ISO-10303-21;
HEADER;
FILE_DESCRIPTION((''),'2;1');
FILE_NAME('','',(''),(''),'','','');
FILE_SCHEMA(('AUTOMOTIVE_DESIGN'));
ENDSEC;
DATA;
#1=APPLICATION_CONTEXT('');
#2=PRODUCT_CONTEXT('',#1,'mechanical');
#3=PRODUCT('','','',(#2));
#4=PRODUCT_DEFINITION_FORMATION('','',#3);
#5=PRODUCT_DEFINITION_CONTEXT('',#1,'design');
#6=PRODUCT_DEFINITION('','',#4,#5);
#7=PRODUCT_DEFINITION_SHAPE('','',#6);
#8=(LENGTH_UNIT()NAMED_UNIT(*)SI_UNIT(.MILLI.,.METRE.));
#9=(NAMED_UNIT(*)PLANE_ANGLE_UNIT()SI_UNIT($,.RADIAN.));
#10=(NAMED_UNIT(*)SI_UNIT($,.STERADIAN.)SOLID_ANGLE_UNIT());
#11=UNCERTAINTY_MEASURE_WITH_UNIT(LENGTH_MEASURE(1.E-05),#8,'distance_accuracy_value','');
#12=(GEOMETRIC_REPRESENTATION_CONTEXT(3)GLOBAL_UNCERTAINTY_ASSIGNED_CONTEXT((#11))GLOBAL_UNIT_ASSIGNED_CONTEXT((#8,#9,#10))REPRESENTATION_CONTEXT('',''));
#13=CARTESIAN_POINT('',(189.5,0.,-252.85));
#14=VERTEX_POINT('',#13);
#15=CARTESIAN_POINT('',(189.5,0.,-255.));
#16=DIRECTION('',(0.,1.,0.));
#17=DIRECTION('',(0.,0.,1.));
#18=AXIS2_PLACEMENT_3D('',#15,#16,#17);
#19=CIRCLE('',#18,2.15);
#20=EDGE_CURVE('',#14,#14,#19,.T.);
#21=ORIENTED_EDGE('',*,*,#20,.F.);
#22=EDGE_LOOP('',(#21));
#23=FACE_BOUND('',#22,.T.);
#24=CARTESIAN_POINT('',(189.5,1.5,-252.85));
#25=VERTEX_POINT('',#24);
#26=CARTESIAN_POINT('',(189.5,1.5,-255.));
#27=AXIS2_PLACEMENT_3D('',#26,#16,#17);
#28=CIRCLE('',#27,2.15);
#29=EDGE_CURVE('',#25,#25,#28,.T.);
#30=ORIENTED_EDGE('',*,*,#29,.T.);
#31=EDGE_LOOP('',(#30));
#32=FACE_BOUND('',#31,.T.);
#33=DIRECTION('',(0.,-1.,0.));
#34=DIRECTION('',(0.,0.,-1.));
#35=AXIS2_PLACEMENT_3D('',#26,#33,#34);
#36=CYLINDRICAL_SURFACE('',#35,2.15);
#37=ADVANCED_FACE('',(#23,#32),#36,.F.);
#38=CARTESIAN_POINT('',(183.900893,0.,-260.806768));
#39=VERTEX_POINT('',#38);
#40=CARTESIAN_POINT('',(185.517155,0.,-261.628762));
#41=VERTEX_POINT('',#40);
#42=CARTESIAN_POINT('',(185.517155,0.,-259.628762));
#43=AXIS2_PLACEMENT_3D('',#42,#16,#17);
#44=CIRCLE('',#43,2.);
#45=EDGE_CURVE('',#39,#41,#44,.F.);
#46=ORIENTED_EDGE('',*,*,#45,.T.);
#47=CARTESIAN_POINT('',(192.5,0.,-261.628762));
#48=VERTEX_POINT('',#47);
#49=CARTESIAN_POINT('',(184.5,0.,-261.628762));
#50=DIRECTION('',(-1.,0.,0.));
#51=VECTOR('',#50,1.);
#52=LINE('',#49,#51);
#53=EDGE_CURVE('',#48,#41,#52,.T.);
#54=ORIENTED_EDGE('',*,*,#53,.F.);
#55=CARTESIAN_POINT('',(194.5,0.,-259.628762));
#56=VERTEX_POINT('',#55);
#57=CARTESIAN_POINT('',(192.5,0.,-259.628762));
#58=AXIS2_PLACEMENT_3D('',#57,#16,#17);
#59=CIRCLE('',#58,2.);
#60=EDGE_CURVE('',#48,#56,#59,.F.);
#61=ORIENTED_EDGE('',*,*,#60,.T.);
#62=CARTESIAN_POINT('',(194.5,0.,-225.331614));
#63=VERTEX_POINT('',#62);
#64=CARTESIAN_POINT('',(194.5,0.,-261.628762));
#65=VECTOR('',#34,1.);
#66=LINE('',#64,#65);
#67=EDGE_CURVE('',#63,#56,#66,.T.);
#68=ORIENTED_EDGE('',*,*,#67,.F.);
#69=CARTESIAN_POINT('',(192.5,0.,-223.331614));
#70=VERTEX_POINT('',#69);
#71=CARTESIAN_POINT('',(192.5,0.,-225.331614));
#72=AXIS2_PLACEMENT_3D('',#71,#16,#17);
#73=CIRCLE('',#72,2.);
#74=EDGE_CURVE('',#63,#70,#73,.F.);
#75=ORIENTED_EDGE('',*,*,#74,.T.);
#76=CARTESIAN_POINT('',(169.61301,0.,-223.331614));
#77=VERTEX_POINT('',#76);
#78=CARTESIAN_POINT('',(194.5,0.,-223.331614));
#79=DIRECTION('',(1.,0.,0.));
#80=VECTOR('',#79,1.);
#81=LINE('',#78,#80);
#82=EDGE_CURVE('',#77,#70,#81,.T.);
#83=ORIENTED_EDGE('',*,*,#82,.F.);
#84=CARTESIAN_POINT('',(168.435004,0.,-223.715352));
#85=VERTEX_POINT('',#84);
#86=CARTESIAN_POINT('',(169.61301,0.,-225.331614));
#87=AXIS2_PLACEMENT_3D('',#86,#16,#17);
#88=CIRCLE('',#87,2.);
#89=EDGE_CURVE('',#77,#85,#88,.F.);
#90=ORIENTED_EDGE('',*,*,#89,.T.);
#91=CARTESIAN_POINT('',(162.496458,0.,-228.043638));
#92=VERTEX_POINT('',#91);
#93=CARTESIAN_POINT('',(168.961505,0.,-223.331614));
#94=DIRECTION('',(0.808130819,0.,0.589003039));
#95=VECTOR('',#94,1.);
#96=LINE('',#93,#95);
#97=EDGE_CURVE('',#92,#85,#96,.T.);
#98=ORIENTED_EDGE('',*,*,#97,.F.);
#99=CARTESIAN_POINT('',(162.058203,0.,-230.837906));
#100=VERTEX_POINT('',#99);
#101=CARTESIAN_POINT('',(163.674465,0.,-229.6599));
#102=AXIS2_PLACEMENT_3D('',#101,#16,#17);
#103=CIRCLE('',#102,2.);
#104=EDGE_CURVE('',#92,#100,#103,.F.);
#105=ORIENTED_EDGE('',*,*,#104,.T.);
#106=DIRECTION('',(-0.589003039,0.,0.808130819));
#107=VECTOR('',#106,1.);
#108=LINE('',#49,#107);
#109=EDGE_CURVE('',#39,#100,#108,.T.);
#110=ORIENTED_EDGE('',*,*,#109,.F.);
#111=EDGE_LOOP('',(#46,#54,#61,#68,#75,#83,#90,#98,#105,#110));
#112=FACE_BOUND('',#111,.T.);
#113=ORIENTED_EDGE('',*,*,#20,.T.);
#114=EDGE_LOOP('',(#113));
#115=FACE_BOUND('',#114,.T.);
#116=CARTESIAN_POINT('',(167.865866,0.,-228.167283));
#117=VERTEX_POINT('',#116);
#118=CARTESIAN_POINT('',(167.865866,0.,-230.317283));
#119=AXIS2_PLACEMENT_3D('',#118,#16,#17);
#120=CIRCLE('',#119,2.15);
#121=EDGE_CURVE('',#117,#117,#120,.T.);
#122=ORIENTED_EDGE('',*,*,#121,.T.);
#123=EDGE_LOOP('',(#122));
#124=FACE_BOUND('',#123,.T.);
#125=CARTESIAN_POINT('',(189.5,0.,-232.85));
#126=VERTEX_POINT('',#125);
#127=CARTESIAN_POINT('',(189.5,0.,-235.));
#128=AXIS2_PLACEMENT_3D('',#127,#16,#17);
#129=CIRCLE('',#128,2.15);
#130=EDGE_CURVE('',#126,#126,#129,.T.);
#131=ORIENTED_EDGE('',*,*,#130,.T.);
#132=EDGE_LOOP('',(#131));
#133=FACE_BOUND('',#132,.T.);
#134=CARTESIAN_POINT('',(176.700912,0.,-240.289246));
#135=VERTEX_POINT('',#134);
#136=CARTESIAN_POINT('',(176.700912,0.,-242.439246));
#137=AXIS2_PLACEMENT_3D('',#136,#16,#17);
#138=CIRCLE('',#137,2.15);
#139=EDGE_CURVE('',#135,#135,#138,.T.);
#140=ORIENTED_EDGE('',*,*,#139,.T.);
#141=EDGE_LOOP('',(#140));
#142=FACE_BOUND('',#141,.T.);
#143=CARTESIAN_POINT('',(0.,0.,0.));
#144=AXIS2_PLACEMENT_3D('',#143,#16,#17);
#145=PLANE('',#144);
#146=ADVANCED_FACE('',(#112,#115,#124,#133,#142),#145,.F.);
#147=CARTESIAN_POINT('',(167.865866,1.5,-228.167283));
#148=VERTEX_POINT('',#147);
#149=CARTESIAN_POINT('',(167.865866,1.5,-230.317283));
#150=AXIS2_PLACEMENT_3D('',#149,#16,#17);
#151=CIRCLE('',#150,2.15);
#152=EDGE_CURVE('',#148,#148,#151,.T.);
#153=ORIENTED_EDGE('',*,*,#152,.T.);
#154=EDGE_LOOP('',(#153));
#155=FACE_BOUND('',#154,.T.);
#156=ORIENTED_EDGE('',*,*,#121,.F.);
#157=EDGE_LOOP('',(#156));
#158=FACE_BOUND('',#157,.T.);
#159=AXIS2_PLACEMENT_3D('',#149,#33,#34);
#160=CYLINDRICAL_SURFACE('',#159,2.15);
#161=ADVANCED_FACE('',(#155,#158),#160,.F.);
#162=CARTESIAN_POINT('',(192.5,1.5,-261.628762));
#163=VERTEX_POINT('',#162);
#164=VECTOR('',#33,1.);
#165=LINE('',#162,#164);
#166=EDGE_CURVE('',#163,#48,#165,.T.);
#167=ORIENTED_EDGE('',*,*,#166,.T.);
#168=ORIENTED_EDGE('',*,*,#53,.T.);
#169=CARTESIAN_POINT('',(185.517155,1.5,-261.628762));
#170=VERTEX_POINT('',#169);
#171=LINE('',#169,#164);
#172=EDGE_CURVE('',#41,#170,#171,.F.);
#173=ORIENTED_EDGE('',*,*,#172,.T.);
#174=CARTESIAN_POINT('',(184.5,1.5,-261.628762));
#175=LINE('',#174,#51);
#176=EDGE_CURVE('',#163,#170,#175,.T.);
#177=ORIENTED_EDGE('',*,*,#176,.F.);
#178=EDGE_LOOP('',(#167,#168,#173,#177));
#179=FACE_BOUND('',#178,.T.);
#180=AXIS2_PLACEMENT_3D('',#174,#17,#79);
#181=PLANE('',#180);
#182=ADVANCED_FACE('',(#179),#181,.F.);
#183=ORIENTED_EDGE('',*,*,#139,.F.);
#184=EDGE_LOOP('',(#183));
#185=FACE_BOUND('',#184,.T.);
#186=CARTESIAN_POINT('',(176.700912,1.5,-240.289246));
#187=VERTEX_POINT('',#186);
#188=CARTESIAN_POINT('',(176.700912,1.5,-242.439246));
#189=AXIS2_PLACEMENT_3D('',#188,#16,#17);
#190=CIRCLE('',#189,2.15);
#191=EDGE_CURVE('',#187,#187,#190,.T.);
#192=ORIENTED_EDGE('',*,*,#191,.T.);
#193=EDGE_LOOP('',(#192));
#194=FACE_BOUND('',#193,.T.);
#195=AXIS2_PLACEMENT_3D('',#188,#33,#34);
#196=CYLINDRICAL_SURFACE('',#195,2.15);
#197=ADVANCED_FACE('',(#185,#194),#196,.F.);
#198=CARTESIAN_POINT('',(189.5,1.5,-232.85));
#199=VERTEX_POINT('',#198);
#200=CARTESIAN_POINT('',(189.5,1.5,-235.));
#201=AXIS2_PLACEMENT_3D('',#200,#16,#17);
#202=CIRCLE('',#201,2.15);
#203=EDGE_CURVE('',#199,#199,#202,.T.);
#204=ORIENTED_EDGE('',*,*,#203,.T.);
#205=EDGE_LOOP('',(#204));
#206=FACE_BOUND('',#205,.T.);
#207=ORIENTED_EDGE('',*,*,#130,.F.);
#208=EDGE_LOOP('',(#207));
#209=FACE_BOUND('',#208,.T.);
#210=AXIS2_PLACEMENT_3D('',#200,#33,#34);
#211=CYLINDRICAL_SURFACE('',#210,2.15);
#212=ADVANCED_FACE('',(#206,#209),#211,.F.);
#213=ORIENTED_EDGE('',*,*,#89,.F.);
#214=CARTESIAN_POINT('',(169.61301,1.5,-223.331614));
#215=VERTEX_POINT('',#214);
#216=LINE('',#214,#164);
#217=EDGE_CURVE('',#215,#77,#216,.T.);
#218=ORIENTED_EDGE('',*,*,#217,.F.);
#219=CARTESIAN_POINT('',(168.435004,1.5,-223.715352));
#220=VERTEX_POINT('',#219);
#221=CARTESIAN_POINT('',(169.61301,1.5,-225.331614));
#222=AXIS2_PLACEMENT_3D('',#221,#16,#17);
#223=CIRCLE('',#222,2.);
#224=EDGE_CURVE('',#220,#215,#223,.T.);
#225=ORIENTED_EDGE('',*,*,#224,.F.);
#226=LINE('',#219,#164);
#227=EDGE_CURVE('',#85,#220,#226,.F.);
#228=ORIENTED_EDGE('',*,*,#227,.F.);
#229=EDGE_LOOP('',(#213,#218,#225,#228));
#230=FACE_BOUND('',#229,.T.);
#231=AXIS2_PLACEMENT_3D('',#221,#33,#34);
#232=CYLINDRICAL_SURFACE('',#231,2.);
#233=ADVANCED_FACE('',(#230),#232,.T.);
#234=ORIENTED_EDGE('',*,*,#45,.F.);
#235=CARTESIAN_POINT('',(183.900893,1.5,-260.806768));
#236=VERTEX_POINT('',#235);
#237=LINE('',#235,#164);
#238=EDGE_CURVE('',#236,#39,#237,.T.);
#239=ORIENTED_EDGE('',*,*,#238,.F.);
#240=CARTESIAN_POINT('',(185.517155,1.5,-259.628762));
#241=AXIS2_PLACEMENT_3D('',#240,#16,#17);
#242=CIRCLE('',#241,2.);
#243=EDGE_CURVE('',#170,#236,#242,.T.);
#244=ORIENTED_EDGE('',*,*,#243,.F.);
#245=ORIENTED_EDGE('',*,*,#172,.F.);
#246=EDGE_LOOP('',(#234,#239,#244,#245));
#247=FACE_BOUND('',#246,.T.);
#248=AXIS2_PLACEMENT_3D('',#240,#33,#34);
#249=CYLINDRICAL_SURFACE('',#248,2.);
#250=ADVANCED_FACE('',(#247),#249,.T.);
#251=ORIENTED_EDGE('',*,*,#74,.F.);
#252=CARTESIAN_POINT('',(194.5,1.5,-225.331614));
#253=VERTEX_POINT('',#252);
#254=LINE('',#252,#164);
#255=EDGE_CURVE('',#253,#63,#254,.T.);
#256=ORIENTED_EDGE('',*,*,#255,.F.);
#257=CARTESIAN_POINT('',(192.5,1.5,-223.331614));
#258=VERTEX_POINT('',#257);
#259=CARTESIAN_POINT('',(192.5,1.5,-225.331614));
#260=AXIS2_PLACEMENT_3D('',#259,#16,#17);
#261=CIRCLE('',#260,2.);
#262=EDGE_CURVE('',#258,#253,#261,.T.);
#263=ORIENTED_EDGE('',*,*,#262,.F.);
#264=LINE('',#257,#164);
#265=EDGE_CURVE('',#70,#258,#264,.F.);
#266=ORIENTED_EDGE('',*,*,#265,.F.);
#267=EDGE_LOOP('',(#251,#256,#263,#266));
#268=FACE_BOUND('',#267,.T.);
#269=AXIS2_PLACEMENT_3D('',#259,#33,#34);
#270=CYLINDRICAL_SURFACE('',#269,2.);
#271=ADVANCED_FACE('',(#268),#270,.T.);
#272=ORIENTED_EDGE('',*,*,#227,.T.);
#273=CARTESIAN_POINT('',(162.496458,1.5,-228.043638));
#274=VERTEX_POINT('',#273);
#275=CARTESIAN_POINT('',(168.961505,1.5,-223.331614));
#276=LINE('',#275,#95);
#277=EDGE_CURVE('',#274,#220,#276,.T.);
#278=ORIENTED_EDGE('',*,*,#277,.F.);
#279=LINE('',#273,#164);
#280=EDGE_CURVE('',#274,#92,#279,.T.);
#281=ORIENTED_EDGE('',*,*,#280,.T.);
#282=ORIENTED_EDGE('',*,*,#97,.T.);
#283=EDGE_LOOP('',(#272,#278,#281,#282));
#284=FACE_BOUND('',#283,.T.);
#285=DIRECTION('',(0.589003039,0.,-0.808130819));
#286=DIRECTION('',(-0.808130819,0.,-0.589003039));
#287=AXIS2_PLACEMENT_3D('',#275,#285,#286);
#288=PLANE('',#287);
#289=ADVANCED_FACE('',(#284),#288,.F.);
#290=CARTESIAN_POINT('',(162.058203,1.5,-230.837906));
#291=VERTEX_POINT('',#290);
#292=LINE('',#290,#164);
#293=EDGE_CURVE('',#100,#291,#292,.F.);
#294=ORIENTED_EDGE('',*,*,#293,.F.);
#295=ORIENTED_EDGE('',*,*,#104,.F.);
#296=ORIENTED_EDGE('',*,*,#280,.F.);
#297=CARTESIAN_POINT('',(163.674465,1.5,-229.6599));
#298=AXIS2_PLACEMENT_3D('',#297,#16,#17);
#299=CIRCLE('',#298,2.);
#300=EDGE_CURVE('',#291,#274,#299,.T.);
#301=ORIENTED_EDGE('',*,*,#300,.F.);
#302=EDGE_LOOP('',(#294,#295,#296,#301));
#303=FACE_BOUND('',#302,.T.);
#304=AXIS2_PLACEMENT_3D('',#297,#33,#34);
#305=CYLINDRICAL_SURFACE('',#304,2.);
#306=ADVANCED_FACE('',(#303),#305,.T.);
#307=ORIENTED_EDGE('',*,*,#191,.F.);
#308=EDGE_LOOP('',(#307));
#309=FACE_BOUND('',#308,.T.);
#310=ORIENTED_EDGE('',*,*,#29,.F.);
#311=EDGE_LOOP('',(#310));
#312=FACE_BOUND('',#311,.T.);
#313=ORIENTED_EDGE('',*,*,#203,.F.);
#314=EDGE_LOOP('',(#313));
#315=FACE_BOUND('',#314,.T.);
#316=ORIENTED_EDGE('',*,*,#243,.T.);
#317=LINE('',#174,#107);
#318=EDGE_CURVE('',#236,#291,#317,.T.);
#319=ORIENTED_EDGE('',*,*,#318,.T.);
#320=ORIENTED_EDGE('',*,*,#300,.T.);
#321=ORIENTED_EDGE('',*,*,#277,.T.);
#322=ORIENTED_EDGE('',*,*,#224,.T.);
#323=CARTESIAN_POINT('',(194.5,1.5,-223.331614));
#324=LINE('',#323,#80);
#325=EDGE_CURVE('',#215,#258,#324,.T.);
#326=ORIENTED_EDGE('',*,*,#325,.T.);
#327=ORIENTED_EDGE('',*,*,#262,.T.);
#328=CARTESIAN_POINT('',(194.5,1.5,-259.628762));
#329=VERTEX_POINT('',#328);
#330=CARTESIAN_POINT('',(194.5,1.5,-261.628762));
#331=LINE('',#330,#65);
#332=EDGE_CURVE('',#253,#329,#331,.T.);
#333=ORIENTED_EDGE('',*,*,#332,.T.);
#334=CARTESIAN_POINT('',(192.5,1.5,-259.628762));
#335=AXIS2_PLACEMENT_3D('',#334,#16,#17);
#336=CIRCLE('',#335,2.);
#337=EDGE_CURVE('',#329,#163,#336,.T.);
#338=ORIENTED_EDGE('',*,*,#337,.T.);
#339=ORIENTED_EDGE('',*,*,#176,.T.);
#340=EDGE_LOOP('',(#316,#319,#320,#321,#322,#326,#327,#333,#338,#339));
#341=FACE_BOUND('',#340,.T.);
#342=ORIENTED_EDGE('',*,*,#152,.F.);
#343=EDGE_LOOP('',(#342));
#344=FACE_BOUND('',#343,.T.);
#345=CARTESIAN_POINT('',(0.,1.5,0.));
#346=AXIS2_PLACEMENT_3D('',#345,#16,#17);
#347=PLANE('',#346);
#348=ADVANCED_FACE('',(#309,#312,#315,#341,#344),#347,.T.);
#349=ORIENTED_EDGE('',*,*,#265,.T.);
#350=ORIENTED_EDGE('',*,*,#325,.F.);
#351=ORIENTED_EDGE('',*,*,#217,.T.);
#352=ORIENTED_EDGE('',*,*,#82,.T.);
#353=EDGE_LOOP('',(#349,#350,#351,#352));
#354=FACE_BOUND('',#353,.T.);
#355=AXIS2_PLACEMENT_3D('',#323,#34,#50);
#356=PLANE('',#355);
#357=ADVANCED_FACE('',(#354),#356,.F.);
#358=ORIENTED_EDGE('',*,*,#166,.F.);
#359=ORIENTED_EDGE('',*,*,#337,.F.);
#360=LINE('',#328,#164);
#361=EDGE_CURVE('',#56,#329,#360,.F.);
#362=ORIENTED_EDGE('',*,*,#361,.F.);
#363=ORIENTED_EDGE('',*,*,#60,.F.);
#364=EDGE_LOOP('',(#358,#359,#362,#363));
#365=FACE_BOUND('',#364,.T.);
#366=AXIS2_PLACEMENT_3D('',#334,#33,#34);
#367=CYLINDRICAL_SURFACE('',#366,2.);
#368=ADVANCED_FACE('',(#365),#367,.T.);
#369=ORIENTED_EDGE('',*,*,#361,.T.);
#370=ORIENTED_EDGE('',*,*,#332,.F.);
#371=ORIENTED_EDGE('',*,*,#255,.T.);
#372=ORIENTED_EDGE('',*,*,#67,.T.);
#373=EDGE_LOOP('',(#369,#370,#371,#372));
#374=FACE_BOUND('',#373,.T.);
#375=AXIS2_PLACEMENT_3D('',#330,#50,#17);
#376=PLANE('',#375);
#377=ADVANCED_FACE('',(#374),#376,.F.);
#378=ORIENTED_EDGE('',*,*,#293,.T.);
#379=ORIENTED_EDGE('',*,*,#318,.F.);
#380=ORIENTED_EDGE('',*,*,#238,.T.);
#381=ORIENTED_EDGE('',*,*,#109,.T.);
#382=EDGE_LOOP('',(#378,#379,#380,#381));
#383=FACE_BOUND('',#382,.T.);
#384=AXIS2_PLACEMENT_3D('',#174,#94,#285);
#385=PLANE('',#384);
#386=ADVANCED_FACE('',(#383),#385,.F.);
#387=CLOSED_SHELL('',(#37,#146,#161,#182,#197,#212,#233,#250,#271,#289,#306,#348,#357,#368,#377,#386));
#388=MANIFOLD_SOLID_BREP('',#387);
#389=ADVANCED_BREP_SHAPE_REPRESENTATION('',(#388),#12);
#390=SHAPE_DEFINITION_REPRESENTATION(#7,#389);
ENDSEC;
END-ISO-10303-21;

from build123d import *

# Parameters (mm, degrees)
SKETCH_1_R      = 2.15
EXTRUDE_1_DEPTH = 1.5
FILLET_1_R      = 2


with BuildPart() as part:
    # ｽｹｯﾁ1 → ﾎﾞｽ - 押し出し1 (new body)
    with BuildSketch(Plane(origin=(0, 0, 0), x_dir=(1, 0, 0), z_dir=(0, 1, 0))):
        Polygon((168.961505009, 223.33161403), (160.880196822, 229.22164442), (184.5, 261.628762236), (194.5, 261.628762236), (194.5, 223.33161403), align=None)
        with Locations(Location((176.700911695, 242.439245598, 0), (0, 0, 270))):
            Circle(SKETCH_1_R, mode=Mode.SUBTRACT)
        with Locations(Location((189.5, 235, 0), (0, 0, 270))):
            Circle(SKETCH_1_R, mode=Mode.SUBTRACT)
        with Locations(Location((167.865866111, 230.317283318, 0), (0, 0, 270))):
            Circle(SKETCH_1_R, mode=Mode.SUBTRACT)
        with Locations(Location((189.5, 255, 0), (0, 0, 270))):
            Circle(SKETCH_1_R, mode=Mode.SUBTRACT)
    extrude(amount=EXTRUDE_1_DEPTH)

    # ﾌｨﾚｯﾄ1
    fillet_1_edges = [part.edges().sort_by_distance(p)[0] for p in [
        (168.961505009, 0.75, -223.33161403),
        (160.880196822, 0.75, -229.22164442),
        (184.5, 0.75, -261.628762236),
        (194.5, 0.75, -261.628762236),
        (194.5, 0.75, -223.33161403),
    ]]
    fillet(fillet_1_edges, radius=FILLET_1_R)


solid = part.part
